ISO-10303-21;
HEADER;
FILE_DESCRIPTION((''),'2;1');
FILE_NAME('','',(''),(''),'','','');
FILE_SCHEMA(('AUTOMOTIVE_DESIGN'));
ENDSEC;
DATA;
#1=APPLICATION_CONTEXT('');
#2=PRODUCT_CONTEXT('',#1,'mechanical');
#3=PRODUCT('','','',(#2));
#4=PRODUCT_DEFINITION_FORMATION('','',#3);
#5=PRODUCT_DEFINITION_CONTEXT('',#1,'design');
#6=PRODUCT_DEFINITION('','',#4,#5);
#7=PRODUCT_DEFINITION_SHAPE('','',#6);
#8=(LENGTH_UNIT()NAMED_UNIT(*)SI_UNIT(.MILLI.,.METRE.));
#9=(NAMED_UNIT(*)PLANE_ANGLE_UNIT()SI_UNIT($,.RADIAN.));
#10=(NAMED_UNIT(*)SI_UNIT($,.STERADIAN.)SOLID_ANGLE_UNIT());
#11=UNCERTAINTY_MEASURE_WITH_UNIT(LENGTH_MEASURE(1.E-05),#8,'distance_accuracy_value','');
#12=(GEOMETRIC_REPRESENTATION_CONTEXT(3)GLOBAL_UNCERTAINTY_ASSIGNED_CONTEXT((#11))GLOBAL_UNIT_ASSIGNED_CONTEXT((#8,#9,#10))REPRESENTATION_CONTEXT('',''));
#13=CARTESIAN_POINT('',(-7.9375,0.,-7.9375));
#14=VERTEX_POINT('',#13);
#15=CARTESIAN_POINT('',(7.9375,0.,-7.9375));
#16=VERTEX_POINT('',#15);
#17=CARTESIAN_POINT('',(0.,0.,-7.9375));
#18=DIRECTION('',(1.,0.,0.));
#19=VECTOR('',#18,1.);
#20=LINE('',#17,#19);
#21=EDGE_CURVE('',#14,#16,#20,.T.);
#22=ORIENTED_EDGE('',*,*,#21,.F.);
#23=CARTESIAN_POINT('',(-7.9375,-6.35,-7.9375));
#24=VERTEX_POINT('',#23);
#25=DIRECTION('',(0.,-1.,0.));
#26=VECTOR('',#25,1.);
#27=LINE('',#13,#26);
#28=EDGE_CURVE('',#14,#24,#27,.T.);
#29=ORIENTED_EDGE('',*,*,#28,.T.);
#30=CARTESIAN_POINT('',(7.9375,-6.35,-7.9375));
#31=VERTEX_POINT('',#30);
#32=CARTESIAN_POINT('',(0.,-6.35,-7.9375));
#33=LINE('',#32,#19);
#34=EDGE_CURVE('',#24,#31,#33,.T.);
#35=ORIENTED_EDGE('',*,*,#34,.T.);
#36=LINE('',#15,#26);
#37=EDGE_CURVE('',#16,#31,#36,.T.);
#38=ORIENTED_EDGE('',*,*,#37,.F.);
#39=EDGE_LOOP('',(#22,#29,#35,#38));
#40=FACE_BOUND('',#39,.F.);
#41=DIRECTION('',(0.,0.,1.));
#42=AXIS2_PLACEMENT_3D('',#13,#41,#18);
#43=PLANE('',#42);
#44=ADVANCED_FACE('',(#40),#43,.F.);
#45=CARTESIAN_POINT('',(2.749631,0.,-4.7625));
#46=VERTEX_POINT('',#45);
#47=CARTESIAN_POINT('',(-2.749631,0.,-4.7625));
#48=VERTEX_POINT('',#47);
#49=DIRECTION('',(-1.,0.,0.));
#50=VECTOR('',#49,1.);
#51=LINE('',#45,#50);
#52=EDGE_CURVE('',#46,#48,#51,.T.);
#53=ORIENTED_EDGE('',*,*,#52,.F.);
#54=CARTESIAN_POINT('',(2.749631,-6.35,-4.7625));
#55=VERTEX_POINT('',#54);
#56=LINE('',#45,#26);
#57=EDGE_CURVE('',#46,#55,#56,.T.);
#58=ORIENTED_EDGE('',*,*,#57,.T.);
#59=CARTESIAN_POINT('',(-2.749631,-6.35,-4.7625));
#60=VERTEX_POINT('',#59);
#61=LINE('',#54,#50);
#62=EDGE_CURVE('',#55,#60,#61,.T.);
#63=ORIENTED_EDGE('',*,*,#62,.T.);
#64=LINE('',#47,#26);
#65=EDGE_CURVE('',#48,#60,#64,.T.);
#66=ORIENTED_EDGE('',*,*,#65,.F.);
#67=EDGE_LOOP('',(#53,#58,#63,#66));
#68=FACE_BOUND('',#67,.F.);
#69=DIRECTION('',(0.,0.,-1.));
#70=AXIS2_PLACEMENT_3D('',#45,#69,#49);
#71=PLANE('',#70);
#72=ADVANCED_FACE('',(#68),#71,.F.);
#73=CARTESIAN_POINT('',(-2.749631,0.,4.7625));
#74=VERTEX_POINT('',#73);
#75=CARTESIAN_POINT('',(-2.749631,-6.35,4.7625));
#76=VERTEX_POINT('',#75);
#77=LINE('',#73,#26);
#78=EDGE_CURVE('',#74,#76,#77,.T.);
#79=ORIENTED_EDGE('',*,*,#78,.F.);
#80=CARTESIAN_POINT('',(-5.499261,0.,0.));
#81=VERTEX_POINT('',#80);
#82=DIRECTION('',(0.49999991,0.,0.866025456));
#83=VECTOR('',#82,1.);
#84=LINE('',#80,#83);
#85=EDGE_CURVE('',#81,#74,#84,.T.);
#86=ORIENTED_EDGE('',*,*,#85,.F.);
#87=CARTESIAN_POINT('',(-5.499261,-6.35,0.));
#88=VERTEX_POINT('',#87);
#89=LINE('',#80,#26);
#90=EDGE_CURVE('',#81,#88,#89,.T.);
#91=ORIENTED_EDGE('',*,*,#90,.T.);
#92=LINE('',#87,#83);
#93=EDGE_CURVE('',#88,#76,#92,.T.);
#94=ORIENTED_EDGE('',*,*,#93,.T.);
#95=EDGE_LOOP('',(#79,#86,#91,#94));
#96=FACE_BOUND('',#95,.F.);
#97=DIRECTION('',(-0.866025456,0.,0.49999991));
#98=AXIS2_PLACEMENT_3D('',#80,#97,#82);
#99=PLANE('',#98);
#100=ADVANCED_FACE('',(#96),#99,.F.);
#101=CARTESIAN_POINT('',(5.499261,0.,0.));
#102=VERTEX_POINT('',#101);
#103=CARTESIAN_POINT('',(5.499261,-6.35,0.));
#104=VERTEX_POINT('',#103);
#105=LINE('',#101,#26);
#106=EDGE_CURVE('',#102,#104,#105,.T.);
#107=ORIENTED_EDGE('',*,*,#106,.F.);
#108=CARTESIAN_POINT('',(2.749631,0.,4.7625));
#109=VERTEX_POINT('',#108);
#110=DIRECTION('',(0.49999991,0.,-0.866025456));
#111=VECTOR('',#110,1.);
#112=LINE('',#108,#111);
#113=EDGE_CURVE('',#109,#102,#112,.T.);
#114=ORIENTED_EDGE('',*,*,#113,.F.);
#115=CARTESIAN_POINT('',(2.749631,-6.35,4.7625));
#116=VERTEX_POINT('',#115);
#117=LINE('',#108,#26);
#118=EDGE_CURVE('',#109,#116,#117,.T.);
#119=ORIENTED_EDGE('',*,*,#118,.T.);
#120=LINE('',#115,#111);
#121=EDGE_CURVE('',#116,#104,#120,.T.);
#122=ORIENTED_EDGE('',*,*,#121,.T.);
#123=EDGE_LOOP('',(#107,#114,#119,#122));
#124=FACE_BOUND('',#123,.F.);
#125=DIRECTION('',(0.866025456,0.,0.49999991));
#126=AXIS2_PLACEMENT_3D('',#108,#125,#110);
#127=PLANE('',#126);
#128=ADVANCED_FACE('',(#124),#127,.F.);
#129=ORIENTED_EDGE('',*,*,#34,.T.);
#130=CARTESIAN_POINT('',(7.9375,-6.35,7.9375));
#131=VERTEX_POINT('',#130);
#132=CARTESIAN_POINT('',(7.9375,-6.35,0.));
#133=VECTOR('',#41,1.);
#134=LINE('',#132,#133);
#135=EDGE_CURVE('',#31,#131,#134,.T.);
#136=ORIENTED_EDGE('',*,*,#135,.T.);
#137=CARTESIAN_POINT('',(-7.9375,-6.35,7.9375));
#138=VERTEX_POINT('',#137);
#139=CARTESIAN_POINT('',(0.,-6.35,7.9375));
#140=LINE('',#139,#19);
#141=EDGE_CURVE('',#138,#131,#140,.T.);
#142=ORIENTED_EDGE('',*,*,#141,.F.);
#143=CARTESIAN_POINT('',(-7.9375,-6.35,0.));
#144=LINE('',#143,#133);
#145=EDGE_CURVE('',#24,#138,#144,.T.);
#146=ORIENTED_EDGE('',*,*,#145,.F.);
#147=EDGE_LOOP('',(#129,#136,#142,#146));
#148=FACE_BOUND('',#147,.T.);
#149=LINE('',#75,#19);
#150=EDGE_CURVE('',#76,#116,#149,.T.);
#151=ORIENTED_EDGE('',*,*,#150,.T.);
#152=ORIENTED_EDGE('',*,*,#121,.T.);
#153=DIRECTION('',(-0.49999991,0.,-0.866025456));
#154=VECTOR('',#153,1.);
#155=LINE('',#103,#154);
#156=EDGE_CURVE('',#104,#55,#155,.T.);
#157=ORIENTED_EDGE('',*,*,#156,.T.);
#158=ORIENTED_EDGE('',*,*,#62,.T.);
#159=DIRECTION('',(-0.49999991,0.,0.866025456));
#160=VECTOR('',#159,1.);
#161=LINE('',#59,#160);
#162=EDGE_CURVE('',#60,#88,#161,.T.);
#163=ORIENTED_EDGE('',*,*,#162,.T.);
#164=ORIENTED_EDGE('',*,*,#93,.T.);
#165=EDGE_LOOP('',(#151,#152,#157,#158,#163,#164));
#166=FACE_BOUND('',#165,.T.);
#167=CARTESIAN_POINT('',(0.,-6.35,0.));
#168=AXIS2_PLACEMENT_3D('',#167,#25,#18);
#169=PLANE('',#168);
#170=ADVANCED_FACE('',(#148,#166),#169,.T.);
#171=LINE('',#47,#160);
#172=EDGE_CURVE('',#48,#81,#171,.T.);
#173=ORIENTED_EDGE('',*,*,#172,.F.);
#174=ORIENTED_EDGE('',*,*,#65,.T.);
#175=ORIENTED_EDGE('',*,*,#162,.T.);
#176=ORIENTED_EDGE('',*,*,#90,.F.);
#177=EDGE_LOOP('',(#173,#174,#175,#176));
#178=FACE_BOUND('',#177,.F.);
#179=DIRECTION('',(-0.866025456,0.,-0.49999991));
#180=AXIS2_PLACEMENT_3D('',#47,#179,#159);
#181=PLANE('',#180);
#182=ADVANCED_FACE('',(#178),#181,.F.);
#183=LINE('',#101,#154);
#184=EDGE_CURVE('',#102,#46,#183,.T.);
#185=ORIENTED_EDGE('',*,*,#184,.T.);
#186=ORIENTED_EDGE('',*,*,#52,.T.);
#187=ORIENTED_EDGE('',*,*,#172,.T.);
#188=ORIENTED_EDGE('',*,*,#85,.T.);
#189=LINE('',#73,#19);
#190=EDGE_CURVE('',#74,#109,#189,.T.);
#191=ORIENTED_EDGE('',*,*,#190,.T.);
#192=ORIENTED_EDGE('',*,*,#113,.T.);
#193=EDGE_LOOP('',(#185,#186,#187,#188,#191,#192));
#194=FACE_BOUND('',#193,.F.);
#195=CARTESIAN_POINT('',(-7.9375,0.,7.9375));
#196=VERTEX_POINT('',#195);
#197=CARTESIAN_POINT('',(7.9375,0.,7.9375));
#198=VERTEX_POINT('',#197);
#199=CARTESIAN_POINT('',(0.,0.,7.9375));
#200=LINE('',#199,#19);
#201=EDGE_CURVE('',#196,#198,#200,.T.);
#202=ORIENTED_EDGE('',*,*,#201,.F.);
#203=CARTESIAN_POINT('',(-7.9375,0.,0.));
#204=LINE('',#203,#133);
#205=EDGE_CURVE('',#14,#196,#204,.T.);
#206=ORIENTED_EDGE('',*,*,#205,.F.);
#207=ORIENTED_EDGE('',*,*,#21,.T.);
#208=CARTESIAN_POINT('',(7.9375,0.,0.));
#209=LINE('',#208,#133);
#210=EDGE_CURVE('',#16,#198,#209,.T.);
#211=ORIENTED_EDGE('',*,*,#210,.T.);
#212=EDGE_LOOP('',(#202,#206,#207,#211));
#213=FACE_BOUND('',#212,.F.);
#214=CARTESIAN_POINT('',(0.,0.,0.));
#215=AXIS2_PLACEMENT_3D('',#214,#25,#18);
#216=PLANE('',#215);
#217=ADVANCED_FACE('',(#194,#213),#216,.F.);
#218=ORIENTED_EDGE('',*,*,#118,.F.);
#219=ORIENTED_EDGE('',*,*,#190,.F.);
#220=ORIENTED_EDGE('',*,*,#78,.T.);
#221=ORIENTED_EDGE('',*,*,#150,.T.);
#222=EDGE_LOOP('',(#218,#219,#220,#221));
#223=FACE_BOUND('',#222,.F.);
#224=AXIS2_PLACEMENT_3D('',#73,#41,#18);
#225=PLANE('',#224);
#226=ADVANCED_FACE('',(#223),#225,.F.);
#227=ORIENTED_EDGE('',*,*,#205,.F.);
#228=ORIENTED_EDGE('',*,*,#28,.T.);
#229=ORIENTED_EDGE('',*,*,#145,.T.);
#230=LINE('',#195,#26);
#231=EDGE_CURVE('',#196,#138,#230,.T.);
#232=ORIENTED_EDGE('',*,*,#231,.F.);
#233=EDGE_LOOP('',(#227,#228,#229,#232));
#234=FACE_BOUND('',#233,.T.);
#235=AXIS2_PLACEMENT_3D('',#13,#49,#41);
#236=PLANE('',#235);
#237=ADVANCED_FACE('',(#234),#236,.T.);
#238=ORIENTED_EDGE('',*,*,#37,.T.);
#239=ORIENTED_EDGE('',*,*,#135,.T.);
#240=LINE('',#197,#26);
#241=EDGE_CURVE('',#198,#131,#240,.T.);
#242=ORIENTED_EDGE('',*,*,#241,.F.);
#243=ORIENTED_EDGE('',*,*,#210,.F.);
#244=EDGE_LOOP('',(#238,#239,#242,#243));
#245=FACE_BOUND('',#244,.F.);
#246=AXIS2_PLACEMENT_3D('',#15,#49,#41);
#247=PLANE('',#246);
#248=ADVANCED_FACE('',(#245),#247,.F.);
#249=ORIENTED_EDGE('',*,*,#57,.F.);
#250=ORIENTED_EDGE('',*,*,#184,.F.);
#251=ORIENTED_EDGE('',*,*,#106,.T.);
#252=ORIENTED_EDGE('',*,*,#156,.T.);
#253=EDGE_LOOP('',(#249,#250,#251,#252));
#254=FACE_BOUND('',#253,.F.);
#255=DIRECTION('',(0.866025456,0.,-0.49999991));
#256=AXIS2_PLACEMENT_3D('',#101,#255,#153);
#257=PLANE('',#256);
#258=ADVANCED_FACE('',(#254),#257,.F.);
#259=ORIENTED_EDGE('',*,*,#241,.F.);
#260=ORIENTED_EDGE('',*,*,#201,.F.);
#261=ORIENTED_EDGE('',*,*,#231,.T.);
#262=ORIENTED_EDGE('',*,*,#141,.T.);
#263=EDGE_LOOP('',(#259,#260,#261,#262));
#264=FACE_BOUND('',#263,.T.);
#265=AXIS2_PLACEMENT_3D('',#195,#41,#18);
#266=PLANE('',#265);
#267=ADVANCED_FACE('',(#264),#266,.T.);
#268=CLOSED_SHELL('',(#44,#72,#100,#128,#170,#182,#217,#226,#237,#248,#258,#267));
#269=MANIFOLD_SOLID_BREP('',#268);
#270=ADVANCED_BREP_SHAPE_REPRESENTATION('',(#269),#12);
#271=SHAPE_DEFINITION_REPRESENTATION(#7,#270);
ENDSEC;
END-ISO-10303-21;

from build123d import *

# Parameters (mm, degrees)
F0_W     = 15.875
F0_H     = 15.875
F1_DEPTH = 6.35


with BuildPart() as f1:
    # F0 (on Front) → F1 (new body)
    with BuildSketch(Plane.XZ):
        Rectangle(F0_W, F0_H)
        Polygon((-5.499261, 0), (-2.749631, 4.7625), (2.749631, 4.7625), (5.499261, 0), (2.749631, -4.7625), (-2.749631, -4.7625), align=None, mode=Mode.SUBTRACT)
    extrude(amount=F1_DEPTH)


solid = f1.part
